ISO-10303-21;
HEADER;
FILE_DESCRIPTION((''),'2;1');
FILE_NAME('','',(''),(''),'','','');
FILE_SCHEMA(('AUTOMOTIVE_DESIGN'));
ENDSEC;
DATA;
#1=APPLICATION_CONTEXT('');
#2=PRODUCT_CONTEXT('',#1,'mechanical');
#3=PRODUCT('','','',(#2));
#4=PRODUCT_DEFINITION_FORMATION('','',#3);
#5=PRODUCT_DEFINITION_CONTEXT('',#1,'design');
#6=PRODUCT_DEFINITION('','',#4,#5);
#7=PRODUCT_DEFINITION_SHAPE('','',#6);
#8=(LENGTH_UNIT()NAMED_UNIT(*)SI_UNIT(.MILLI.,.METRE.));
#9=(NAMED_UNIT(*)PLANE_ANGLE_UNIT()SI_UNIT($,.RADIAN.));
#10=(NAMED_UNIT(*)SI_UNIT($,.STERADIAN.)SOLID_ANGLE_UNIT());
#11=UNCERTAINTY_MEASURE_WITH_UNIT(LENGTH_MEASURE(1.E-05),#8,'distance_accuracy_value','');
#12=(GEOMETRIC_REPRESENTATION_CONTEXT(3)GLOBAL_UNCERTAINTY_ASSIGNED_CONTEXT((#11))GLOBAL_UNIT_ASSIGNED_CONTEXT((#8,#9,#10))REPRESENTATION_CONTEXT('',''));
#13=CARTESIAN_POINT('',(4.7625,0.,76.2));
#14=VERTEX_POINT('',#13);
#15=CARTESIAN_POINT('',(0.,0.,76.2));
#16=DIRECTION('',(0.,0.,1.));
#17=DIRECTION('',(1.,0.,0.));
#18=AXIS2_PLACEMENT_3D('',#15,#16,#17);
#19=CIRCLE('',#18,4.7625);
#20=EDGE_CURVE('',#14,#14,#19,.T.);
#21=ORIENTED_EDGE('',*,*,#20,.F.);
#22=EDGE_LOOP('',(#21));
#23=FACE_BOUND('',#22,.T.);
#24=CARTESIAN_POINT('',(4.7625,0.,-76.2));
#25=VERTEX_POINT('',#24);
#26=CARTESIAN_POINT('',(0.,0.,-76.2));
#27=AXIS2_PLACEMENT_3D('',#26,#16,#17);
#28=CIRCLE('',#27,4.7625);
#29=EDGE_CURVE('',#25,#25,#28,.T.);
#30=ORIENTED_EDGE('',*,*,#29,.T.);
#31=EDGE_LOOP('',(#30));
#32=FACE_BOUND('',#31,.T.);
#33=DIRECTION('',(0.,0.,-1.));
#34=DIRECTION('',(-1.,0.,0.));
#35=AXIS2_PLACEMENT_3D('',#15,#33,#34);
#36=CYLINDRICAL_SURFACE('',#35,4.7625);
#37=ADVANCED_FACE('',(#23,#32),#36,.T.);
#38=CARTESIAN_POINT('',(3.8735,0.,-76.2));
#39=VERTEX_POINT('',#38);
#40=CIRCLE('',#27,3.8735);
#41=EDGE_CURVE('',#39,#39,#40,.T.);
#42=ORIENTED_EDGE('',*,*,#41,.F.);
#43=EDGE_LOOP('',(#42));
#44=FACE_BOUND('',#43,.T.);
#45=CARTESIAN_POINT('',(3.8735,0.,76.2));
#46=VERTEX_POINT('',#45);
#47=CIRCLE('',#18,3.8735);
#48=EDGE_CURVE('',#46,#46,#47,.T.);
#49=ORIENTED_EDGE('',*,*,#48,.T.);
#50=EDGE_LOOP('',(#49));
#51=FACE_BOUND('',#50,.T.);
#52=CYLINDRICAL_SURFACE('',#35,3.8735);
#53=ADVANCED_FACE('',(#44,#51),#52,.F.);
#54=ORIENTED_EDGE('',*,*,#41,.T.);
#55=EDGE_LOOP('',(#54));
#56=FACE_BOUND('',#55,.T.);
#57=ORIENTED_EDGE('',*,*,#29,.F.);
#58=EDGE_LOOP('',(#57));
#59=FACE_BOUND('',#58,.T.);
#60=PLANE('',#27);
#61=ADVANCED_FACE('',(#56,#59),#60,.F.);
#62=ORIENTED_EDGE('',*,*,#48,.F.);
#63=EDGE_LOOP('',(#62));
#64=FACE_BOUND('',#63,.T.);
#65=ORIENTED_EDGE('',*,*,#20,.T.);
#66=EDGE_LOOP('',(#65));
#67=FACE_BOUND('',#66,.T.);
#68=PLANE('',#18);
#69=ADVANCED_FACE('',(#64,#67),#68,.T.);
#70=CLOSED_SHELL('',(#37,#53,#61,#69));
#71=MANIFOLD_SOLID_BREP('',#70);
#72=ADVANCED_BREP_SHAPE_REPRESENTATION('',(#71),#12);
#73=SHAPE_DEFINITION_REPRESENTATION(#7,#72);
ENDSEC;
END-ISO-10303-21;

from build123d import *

# Parameters (mm, degrees)
BOSS_EXTRUDE1_DEPTH      = 76.2
BOSS_EXTRUDE1_DEPTH_BACK = 76.2
SKETCH3_R                = 4.7625
SKETCH3_R_2              = 3.8735


with BuildPart() as part:
    # Sketch3 → Boss-Extrude1 (new, two sides: drawn at the far end of the back side and taken through both)
    with BuildSketch(Plane.XY.offset(-BOSS_EXTRUDE1_DEPTH_BACK)):
        Circle(SKETCH3_R)
        Circle(SKETCH3_R_2, mode=Mode.SUBTRACT)
    extrude(amount=BOSS_EXTRUDE1_DEPTH + BOSS_EXTRUDE1_DEPTH_BACK)


solid = part.part
